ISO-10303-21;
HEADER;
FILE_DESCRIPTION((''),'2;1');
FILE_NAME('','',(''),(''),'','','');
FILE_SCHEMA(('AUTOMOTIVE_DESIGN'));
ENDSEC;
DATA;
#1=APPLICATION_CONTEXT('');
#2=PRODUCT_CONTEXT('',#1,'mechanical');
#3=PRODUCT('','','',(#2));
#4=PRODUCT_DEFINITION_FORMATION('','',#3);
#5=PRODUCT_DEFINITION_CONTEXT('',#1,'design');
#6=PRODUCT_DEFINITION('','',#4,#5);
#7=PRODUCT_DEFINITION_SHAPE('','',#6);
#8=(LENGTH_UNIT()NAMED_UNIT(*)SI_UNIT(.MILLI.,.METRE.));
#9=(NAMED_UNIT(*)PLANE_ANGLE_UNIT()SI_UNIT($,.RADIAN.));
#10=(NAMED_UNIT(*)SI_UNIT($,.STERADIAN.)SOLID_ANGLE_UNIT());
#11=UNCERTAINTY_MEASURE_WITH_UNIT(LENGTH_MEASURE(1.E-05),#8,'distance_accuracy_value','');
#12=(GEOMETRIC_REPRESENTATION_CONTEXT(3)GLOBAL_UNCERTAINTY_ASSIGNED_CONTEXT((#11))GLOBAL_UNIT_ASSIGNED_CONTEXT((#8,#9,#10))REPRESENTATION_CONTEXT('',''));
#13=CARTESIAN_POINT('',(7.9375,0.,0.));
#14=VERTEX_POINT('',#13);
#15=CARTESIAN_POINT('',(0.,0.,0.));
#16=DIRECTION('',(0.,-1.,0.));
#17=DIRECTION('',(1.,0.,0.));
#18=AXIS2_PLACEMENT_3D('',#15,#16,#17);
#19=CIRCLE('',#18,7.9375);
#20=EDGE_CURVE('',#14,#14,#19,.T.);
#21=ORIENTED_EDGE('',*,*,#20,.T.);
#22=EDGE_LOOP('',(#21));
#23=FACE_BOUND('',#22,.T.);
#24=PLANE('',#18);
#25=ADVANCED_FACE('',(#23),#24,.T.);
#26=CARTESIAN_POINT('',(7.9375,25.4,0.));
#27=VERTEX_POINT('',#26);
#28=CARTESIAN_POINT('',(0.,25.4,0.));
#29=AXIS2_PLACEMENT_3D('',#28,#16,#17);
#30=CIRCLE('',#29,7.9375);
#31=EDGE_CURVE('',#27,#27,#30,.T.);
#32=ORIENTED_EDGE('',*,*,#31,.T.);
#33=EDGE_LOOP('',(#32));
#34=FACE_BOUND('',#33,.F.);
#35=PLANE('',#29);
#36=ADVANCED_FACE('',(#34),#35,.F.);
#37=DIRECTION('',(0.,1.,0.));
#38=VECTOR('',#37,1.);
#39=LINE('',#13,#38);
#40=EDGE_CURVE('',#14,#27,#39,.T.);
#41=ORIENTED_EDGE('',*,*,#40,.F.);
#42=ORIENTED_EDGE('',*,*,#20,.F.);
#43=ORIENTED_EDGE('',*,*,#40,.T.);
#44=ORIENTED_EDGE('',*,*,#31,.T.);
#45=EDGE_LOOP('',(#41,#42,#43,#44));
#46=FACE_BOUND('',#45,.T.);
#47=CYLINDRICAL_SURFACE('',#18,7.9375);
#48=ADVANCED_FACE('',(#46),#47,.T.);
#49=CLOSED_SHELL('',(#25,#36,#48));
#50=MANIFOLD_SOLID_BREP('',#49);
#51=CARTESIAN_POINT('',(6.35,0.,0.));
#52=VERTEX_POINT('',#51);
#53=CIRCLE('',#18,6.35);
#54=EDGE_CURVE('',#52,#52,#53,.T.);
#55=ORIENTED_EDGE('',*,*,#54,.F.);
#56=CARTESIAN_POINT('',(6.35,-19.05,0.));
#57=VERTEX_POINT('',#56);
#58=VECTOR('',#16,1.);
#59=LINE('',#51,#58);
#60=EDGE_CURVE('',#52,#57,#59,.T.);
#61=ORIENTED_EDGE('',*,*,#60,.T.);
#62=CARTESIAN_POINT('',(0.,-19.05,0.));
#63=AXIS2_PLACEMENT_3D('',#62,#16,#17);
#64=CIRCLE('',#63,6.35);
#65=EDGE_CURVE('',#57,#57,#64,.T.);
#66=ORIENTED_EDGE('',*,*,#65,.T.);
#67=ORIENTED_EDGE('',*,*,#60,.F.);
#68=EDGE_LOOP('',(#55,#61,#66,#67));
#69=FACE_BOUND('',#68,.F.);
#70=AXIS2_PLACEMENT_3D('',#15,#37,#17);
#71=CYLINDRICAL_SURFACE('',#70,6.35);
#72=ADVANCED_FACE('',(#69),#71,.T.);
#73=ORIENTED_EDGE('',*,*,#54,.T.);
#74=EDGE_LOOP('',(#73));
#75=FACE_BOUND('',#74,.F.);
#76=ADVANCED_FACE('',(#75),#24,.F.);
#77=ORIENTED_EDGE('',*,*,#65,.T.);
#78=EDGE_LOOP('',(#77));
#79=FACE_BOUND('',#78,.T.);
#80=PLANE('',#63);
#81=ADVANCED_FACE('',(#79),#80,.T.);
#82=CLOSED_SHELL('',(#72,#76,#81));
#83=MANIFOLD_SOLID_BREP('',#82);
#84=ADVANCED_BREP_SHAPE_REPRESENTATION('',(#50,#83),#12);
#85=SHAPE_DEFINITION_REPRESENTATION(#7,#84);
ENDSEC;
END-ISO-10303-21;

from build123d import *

# Parameters (mm, degrees)
F0_R     = 7.9375
F1_DEPTH = 25.4
F2_R     = 6.35
F3_DEPTH = 19.05


with BuildPart() as f1:
    # F0 (on Front) → F1 (new body)
    with BuildSketch(Plane.XZ):
        Circle(F0_R)
    extrude(amount=-F1_DEPTH)


with BuildPart() as f3:
    # F2 (on face) → F3 (new body)
    with BuildSketch(Plane.XZ):
        Circle(F2_R)
    extrude(amount=F3_DEPTH)


solid = Compound([f1.part, f3.part])
